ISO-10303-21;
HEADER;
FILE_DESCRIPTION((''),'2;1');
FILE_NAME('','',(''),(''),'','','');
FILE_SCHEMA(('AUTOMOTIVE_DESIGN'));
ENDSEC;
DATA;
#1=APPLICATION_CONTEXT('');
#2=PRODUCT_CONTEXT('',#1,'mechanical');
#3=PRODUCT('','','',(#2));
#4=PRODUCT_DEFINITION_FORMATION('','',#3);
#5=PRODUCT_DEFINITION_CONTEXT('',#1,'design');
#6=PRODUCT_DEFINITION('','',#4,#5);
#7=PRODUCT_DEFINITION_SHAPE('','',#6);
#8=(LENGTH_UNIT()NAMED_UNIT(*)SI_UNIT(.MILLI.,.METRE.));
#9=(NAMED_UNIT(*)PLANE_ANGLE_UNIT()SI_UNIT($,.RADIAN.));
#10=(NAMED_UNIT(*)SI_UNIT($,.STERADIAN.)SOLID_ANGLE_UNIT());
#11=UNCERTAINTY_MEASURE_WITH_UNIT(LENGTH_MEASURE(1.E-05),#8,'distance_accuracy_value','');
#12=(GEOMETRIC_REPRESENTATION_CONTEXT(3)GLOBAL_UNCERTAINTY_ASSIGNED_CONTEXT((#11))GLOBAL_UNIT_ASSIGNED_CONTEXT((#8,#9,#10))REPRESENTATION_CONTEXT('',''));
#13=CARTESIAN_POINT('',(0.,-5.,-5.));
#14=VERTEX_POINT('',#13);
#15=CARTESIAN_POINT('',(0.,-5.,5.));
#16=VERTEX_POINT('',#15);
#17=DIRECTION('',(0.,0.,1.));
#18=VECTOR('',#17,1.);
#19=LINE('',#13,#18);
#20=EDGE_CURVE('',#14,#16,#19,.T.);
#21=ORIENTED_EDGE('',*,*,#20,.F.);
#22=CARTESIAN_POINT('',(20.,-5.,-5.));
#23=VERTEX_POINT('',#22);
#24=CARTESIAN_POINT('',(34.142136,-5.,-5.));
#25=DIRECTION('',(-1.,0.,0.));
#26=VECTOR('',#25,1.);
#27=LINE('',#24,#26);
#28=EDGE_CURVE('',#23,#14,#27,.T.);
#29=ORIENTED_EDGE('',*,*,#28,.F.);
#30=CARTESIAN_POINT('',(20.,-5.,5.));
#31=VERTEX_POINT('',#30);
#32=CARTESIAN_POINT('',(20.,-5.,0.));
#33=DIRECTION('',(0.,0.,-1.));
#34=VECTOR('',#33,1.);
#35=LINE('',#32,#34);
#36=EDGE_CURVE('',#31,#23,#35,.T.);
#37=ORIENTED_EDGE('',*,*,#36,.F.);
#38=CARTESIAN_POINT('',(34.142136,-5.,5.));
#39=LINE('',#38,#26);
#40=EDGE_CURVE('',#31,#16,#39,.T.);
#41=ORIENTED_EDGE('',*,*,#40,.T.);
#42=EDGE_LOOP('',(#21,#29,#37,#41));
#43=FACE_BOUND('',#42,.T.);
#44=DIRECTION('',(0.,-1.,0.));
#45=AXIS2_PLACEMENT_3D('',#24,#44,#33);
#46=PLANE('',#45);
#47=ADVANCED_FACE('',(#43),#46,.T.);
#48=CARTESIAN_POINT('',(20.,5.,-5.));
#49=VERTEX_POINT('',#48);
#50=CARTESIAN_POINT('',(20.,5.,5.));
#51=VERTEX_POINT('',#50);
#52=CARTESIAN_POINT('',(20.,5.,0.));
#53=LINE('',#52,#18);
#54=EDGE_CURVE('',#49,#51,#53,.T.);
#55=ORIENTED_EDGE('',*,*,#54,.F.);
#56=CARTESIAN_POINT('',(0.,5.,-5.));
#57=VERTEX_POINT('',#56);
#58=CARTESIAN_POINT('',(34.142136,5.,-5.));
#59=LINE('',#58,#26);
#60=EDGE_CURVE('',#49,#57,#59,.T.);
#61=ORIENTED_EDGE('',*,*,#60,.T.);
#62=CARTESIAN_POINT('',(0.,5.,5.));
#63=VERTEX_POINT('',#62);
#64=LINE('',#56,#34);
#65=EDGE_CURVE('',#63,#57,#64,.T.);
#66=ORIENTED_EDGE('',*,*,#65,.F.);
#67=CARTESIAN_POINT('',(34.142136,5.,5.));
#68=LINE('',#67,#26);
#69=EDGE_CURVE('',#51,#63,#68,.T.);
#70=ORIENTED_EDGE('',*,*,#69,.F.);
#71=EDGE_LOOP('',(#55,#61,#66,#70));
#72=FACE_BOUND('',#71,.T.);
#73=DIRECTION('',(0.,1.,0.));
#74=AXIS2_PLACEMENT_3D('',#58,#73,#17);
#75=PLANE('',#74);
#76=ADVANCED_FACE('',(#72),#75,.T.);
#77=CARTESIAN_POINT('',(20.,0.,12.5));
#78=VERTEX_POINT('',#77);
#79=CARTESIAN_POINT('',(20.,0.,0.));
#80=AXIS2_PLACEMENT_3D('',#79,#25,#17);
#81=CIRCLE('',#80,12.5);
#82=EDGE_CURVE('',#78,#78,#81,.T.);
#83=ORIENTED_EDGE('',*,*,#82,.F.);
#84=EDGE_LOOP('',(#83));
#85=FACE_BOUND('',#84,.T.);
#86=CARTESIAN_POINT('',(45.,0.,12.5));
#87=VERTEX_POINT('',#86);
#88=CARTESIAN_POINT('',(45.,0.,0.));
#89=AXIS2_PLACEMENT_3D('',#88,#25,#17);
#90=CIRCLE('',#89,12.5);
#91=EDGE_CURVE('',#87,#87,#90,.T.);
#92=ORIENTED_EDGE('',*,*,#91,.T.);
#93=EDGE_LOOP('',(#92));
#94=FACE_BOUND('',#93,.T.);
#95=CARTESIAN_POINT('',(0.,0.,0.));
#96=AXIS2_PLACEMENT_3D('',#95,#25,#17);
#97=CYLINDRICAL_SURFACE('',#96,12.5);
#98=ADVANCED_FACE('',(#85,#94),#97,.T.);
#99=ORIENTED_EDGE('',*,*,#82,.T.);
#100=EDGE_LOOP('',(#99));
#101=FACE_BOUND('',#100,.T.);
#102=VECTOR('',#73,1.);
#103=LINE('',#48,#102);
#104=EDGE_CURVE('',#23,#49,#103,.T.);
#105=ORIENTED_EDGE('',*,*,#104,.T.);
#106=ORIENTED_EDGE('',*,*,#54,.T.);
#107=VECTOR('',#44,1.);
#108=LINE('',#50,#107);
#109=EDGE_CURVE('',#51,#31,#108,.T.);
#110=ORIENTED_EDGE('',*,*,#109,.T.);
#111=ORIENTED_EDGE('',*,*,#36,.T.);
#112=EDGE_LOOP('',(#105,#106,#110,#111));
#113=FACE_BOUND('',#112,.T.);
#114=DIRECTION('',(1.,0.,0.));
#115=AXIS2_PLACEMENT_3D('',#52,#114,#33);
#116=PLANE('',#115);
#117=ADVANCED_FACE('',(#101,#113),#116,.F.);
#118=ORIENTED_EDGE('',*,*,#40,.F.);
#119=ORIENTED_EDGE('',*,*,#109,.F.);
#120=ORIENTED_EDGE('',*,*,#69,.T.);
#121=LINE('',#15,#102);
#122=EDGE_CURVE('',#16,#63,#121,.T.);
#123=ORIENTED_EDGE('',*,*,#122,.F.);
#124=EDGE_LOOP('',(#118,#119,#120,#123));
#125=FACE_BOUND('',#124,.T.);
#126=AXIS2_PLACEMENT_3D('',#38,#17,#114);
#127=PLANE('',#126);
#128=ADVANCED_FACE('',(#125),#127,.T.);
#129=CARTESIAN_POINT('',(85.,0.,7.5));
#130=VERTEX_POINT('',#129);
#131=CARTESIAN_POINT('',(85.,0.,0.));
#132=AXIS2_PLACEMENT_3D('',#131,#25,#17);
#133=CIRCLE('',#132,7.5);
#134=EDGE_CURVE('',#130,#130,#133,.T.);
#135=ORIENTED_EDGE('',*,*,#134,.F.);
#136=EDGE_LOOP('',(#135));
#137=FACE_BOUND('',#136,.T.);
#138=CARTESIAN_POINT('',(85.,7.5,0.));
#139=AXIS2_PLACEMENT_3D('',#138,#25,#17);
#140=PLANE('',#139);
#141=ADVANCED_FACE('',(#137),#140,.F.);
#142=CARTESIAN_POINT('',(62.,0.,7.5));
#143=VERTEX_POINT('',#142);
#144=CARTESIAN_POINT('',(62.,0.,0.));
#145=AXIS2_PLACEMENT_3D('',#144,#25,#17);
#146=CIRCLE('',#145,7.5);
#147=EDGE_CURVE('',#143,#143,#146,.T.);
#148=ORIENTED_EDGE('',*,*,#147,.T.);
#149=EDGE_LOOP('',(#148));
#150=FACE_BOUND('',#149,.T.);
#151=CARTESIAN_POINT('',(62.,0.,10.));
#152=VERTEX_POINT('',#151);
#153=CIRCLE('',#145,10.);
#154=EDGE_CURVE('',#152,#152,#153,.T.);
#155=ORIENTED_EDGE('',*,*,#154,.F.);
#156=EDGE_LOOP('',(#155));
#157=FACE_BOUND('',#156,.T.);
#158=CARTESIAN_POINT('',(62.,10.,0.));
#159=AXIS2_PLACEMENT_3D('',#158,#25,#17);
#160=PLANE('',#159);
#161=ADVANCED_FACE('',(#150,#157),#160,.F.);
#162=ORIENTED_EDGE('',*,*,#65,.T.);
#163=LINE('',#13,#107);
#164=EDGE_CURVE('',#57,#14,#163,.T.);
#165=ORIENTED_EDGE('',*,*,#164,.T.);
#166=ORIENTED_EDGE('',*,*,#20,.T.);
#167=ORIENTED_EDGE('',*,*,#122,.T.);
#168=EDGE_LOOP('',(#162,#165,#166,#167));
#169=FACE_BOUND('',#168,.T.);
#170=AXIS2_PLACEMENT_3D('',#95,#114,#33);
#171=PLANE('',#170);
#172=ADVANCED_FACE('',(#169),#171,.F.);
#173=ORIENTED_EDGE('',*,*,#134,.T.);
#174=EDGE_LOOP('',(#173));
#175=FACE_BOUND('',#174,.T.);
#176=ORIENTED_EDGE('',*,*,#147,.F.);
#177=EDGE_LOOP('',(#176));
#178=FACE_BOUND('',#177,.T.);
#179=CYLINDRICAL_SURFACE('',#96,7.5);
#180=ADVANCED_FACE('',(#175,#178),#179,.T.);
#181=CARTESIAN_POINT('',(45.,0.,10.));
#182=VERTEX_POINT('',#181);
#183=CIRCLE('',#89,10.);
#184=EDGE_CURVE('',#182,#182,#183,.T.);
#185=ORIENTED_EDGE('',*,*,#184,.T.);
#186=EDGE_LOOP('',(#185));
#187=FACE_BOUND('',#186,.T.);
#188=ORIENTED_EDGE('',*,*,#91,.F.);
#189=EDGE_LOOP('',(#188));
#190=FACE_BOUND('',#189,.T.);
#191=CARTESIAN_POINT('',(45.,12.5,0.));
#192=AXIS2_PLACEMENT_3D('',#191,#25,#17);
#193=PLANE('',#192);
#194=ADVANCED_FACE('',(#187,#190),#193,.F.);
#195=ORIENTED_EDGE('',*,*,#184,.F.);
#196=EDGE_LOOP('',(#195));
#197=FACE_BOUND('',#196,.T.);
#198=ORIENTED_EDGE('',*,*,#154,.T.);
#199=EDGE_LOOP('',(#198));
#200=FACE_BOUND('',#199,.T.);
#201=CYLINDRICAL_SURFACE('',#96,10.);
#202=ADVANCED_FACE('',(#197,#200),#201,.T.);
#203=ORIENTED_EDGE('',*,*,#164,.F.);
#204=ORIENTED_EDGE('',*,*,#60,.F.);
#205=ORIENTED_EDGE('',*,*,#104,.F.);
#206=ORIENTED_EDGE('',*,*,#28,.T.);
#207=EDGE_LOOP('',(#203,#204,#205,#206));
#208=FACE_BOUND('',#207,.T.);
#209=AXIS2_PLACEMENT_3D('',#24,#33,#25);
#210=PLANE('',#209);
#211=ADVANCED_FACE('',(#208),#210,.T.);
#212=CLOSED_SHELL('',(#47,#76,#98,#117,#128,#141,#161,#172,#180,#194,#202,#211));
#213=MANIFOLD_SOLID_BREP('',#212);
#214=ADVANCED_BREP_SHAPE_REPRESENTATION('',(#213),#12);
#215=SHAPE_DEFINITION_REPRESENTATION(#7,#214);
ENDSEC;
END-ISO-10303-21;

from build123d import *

# Parameters (mm, degrees)
SKETCH_3_W      = 10
SKETCH_3_H      = 10
EXTRUDE_1_DEPTH = 20


with BuildPart() as part:
    # Эскиз2 → Повернуть1 (revolve)
    with BuildSketch(Plane.XY, mode=Mode.PRIVATE) as revolve_1_sk:
        Polygon((0, 0), (0, 5), (20, 5), (20, 12.5), (45, 12.5), (45, 10), (62, 10), (62, 7.5), (85, 7.5), (85, 0), align=None)
    revolve(revolve_1_sk.sketch.rotate(Axis((0, 0, 0), (1, 0, 0)), 90), axis=Axis((0, 0, 0), (1, 0, 0)))

    # Эскиз3 → Бобышка-Вытянуть1 (add)
    with BuildSketch(Plane.ZY):
        Rectangle(SKETCH_3_W, SKETCH_3_H)
    extrude(amount=-EXTRUDE_1_DEPTH)


solid = part.part
